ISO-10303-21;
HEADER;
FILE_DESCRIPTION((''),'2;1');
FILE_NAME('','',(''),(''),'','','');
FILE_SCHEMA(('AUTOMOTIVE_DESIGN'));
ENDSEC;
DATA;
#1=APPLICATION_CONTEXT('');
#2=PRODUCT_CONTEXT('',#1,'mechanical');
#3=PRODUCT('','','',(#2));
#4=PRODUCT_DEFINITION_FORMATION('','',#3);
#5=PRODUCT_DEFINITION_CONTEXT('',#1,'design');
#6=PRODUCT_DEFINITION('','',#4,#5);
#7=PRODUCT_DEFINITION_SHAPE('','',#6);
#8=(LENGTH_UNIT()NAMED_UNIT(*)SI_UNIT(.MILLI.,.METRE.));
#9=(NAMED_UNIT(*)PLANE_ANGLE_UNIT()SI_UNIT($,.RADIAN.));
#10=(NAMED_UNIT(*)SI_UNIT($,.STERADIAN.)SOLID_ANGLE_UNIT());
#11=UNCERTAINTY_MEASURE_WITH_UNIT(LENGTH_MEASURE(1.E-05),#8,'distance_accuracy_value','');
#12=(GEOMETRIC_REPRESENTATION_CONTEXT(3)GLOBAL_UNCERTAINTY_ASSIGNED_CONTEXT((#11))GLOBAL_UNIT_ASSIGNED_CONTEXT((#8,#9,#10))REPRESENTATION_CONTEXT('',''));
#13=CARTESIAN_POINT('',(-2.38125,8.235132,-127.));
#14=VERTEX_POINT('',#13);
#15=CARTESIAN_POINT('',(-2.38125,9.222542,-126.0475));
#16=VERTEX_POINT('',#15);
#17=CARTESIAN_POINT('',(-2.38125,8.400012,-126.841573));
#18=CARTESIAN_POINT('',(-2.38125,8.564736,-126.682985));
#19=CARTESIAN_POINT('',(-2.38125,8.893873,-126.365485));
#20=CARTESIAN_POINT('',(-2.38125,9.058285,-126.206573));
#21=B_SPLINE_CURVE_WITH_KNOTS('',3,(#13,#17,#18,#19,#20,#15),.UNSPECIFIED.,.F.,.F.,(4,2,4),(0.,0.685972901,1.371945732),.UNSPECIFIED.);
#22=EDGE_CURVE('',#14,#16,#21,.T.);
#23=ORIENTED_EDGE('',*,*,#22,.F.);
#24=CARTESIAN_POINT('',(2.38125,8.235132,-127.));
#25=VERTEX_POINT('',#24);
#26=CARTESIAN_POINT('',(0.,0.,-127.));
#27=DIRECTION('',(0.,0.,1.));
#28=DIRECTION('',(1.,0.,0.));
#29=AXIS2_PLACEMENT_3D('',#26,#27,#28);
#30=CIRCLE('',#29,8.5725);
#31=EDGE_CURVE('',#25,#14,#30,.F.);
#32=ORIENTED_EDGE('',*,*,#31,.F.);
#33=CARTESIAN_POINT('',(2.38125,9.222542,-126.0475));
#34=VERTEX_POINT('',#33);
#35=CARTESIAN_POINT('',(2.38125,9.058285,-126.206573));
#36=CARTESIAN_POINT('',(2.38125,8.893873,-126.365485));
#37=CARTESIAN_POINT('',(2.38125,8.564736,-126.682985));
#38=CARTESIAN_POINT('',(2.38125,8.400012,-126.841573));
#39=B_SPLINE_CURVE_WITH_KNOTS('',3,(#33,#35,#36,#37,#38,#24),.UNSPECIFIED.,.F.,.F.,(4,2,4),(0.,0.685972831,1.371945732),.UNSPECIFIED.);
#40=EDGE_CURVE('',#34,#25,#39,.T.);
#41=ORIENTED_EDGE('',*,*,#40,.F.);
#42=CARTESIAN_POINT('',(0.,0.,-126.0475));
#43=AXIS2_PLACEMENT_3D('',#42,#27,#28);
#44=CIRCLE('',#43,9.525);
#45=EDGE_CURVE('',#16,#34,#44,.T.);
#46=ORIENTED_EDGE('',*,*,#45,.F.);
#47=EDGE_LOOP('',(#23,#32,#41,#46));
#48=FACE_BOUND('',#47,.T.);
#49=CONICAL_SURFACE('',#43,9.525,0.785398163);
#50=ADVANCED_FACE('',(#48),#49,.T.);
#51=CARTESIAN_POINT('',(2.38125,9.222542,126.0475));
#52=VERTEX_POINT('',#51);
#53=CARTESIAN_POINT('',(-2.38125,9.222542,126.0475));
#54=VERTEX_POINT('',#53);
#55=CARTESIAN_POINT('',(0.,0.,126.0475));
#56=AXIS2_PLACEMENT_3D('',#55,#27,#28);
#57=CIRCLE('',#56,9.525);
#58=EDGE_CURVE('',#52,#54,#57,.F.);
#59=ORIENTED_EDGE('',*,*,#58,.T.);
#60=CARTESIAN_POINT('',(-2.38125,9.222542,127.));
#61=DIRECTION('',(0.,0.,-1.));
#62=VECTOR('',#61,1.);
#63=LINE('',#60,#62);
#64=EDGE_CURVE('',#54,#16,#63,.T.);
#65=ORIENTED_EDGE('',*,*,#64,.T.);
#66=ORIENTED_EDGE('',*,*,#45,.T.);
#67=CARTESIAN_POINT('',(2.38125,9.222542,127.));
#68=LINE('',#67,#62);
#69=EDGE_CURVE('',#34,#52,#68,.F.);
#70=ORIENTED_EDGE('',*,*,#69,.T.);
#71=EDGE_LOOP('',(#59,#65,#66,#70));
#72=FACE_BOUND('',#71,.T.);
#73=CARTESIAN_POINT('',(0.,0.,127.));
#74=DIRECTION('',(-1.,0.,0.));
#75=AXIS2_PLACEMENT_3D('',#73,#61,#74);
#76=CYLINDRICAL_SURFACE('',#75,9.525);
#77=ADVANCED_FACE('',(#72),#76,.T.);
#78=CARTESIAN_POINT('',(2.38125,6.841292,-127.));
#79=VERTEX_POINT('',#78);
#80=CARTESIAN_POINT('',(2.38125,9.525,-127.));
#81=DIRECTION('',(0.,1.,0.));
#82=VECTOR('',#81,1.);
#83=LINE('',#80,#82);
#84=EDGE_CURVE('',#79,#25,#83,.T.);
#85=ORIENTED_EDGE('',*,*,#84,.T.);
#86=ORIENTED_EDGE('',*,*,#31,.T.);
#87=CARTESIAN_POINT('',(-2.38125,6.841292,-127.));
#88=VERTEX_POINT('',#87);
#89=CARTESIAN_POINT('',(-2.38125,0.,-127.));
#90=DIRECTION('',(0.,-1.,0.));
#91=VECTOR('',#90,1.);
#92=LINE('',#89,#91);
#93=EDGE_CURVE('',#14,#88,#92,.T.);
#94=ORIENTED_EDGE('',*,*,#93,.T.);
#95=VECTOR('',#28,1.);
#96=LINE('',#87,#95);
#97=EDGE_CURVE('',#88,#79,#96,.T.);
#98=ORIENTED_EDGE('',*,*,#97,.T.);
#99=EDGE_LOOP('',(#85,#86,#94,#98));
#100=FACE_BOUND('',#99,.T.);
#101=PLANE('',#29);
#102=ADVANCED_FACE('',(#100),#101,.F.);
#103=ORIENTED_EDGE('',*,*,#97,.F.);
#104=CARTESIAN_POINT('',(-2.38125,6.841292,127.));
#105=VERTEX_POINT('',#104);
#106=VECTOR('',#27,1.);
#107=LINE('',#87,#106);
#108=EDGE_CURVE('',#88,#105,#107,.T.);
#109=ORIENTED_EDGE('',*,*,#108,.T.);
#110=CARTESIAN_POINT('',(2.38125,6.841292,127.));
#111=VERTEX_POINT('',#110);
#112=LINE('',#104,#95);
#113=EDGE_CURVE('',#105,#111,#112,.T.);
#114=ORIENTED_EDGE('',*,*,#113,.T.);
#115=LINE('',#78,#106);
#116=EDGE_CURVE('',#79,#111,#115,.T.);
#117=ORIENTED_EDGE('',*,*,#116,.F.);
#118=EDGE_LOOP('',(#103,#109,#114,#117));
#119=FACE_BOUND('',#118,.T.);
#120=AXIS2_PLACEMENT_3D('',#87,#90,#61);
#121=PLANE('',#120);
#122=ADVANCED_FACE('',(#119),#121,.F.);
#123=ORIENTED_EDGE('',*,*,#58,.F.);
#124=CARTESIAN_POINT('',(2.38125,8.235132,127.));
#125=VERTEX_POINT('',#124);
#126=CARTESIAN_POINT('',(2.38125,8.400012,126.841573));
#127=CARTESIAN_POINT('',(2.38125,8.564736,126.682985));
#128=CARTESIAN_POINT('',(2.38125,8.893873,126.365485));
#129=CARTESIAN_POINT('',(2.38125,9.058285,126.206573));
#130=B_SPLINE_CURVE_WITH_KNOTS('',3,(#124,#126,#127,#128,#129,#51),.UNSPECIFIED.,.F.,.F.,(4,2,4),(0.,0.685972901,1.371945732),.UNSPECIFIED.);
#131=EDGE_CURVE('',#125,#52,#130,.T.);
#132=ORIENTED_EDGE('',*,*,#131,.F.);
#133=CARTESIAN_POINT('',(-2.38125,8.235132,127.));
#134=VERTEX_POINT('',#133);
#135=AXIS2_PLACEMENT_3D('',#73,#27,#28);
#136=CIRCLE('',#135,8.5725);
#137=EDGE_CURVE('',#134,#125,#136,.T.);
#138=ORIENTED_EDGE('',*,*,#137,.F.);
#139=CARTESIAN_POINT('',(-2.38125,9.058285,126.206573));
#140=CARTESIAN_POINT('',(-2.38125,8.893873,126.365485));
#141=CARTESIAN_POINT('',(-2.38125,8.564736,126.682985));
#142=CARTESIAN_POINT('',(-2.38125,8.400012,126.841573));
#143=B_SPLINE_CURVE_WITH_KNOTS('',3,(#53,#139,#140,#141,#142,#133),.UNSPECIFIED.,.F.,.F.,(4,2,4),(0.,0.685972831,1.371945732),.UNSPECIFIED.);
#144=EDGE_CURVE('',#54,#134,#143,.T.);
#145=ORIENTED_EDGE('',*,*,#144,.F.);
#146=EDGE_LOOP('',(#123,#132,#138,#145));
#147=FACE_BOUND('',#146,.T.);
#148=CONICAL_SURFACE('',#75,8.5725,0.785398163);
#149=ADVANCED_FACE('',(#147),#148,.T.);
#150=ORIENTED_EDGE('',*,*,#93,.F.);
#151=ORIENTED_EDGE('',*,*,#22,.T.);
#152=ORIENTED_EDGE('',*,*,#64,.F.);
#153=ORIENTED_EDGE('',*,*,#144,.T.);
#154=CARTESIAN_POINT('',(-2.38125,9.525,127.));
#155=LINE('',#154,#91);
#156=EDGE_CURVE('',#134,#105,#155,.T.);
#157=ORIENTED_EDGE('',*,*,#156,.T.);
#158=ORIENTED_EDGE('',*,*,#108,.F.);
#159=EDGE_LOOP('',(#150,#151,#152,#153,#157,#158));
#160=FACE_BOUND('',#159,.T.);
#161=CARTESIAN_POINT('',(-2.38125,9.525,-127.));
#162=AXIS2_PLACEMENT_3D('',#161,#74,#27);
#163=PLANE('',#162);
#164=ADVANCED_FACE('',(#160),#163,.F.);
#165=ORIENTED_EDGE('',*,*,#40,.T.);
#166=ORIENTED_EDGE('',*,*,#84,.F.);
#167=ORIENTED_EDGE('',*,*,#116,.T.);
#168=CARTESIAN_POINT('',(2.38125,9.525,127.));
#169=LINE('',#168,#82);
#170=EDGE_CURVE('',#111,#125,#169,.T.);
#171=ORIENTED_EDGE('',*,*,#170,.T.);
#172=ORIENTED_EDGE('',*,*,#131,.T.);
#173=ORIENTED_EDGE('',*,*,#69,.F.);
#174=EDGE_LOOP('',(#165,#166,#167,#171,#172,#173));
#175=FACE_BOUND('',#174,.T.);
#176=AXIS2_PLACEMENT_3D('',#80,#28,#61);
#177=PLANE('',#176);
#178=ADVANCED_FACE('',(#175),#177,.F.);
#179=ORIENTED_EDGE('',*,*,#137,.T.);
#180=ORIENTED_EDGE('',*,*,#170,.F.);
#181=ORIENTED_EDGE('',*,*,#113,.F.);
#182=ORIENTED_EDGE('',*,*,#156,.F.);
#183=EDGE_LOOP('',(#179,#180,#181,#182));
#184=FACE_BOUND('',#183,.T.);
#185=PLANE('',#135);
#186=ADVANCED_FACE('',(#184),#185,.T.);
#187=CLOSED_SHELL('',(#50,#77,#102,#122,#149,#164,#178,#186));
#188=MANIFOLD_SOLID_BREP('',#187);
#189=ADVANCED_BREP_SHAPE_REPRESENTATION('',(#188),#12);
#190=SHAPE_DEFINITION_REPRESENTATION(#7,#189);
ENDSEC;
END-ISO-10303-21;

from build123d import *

# Parameters (mm, degrees)
BOSS_EXTRUDE2_DEPTH      = 127
BOSS_EXTRUDE2_DEPTH_BACK = 127
SKETCH3_R                = 9.525
CUT_EXTRUDE5_DEPTH       = 128.712377043
CUT_EXTRUDE5_DEPTH_BACK  = 128.712377043
SKETCH10_W               = 4.7625
SKETCH10_H               = 2.683708407
CHAMFER1_SIZE            = 0.9525


with BuildPart() as part:
    # Sketch3 → Boss-Extrude2 (new, two sides: drawn at the far end of the back side and taken through both)
    with BuildSketch(Plane.XY.offset(-BOSS_EXTRUDE2_DEPTH_BACK)):
        Circle(SKETCH3_R)
    extrude(amount=BOSS_EXTRUDE2_DEPTH + BOSS_EXTRUDE2_DEPTH_BACK)

    # Sketch10 → Cut-Extrude5 (cut, two sides: drawn at the far end of the back side and taken through both)
    with BuildSketch(Plane.XY.offset(-CUT_EXTRUDE5_DEPTH_BACK)):
        with Locations((0, 8.183145796)):
            Rectangle(SKETCH10_W, SKETCH10_H)
    extrude(amount=CUT_EXTRUDE5_DEPTH + CUT_EXTRUDE5_DEPTH_BACK, mode=Mode.SUBTRACT)

    # Chamfer1
    chamfer1_edges = [part.edges().sort_by_distance(p)[0] for p in [
        (0, -9.525, 127),
        (0, -9.525, -127),
    ]]
    chamfer(chamfer1_edges, length=CHAMFER1_SIZE)


solid = part.part
